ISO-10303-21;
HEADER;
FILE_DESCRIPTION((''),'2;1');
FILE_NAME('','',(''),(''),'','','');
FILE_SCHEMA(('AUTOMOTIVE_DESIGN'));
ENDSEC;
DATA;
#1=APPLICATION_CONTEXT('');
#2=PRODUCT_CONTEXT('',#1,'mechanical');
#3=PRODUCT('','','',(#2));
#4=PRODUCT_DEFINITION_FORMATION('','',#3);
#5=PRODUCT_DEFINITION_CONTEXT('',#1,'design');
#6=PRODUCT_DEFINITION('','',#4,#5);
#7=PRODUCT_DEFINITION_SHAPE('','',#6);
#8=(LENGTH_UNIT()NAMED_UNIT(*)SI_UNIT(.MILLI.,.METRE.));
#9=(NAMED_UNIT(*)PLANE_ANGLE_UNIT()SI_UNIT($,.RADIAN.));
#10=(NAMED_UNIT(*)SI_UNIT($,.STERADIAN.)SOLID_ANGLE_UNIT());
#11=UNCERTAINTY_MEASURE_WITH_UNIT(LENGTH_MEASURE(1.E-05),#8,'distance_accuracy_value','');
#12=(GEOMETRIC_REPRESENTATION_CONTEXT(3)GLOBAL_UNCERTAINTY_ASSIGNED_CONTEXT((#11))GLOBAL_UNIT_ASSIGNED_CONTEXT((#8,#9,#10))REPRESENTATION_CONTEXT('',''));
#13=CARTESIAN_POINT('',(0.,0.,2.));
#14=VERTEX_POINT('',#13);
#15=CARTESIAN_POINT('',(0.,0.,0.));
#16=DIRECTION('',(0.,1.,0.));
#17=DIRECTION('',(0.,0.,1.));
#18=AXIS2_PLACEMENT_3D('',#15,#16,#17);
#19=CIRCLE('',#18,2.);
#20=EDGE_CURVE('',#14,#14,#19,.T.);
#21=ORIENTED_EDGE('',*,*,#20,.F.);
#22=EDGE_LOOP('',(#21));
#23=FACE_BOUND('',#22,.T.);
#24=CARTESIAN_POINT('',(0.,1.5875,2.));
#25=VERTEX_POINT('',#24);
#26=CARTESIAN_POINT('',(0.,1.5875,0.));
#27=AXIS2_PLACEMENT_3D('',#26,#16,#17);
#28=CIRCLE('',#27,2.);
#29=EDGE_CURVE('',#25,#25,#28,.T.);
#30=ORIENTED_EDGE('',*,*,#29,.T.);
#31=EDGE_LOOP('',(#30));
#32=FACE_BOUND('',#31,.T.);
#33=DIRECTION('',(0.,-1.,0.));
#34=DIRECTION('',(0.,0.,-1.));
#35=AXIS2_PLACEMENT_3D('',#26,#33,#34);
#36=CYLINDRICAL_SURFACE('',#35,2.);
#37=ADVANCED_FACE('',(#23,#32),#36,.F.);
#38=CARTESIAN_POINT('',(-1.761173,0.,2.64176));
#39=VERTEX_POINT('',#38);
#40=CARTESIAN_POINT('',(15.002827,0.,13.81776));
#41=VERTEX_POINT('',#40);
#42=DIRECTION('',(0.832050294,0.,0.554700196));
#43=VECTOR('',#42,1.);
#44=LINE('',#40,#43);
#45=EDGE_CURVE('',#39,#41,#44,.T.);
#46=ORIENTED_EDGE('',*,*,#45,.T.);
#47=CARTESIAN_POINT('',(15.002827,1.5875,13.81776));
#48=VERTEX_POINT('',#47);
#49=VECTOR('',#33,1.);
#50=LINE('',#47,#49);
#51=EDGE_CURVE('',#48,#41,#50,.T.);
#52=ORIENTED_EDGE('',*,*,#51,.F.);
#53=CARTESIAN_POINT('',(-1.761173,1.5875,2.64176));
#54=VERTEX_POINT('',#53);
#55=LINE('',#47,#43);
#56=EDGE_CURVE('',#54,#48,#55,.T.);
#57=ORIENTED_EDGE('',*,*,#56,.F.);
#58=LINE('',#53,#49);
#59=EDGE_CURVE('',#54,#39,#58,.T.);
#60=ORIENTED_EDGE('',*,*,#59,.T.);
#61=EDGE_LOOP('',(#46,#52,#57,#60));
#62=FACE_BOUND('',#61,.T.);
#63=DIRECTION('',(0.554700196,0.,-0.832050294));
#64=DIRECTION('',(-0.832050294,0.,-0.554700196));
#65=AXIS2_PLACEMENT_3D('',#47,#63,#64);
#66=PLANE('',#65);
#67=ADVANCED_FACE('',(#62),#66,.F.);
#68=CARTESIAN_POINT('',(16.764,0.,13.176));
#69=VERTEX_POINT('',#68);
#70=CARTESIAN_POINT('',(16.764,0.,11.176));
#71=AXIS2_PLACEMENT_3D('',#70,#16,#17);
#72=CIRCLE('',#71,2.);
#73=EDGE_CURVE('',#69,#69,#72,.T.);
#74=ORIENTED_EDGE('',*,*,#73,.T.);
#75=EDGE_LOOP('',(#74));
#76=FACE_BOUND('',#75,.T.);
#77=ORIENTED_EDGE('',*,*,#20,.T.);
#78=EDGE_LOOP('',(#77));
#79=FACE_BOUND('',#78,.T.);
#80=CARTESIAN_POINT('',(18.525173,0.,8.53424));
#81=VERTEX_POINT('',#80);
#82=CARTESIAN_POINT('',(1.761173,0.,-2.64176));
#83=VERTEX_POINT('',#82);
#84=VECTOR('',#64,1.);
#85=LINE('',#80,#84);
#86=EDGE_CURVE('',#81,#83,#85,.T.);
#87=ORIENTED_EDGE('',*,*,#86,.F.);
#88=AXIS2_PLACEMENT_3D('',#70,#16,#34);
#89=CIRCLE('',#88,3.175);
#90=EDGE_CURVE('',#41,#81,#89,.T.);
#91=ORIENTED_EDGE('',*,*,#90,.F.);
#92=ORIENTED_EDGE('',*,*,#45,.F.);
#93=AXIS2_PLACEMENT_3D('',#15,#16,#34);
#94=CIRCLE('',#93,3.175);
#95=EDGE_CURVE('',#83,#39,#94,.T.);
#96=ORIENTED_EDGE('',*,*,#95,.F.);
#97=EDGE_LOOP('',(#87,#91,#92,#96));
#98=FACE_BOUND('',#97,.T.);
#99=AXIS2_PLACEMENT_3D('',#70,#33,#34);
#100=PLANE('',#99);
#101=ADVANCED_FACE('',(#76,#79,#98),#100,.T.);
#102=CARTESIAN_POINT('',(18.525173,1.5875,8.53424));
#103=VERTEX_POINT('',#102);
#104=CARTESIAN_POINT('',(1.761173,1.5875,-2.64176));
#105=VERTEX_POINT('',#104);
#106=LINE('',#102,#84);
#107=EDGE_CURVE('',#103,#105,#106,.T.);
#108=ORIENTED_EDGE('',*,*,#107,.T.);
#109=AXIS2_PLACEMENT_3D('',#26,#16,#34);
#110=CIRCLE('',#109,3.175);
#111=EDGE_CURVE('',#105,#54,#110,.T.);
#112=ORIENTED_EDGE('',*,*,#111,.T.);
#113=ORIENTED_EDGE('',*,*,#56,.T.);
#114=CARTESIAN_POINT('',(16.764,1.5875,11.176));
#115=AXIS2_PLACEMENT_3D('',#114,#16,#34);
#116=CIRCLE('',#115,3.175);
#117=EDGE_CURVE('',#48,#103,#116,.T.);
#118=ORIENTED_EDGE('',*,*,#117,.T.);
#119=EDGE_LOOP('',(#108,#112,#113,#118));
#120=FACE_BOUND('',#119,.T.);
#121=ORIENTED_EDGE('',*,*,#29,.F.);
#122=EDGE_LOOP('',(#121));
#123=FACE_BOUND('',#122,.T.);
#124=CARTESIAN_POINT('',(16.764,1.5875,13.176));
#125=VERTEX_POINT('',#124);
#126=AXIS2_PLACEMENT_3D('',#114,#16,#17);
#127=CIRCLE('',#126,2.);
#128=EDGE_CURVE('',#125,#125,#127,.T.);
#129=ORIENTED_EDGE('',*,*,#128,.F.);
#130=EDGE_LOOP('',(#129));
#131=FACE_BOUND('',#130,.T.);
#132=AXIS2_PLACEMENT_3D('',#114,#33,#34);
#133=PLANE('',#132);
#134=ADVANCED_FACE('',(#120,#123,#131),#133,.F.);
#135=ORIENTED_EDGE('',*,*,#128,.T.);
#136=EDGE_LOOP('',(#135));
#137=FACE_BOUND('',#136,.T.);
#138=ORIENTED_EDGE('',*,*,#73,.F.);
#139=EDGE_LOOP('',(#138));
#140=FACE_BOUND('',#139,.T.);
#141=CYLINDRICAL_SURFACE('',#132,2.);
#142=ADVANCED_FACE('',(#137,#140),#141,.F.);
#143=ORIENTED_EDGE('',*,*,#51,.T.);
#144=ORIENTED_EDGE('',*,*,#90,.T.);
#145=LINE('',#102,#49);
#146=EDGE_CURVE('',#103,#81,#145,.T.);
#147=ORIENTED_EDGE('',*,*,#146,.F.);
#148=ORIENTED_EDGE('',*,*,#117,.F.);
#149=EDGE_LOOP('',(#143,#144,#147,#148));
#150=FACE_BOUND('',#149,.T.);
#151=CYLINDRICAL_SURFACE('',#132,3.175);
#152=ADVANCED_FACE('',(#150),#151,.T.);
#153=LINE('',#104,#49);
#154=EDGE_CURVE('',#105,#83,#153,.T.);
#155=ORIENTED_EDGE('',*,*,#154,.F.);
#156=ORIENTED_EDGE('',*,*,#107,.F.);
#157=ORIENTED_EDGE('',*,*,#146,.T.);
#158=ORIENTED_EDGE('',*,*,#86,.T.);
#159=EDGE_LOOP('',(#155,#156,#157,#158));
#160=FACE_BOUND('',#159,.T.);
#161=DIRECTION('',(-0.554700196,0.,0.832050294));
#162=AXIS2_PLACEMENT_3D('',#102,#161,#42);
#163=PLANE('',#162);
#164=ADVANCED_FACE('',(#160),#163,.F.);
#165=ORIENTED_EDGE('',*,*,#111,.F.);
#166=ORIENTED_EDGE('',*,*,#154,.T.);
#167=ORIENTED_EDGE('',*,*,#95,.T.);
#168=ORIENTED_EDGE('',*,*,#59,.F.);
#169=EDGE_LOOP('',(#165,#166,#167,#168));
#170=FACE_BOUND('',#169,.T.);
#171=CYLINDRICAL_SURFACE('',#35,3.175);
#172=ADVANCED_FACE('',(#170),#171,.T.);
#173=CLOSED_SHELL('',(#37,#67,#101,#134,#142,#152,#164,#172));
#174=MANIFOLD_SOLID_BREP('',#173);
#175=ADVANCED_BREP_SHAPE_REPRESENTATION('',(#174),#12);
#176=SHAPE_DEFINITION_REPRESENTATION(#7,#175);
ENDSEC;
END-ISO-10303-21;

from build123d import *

# Parameters (mm, degrees)
SKETCH1_R           = 2
BOSS_EXTRUDE1_DEPTH = 1.5875


with BuildPart() as part:
    # Sketch1 → Boss-Extrude1 (new body)
    with BuildSketch(Plane(origin=(0, 0, 0), x_dir=(1, 0, 0), z_dir=(0, 1, 0))):
        with BuildLine():
            Line((15.002826877, -13.817759685), (-1.761173123, -2.641759685))
            ThreePointArc((-1.761173123, -2.641759685), (-2.641759685, 1.761173123), (1.761173123, 2.641759685))
            Line((1.761173123, 2.641759685), (18.525173123, -8.534240315))
            ThreePointArc((18.525173123, -8.534240315), (19.405759685, -12.937173123), (15.002826877, -13.817759685))
        make_face()
        with Locations(Location((0, 0, 0), (0, 0, 270))):
            Circle(SKETCH1_R, mode=Mode.SUBTRACT)
        with Locations(Location((16.764, -11.176, 0), (0, 0, 270))):
            Circle(SKETCH1_R, mode=Mode.SUBTRACT)
    extrude(amount=BOSS_EXTRUDE1_DEPTH)


solid = part.part
